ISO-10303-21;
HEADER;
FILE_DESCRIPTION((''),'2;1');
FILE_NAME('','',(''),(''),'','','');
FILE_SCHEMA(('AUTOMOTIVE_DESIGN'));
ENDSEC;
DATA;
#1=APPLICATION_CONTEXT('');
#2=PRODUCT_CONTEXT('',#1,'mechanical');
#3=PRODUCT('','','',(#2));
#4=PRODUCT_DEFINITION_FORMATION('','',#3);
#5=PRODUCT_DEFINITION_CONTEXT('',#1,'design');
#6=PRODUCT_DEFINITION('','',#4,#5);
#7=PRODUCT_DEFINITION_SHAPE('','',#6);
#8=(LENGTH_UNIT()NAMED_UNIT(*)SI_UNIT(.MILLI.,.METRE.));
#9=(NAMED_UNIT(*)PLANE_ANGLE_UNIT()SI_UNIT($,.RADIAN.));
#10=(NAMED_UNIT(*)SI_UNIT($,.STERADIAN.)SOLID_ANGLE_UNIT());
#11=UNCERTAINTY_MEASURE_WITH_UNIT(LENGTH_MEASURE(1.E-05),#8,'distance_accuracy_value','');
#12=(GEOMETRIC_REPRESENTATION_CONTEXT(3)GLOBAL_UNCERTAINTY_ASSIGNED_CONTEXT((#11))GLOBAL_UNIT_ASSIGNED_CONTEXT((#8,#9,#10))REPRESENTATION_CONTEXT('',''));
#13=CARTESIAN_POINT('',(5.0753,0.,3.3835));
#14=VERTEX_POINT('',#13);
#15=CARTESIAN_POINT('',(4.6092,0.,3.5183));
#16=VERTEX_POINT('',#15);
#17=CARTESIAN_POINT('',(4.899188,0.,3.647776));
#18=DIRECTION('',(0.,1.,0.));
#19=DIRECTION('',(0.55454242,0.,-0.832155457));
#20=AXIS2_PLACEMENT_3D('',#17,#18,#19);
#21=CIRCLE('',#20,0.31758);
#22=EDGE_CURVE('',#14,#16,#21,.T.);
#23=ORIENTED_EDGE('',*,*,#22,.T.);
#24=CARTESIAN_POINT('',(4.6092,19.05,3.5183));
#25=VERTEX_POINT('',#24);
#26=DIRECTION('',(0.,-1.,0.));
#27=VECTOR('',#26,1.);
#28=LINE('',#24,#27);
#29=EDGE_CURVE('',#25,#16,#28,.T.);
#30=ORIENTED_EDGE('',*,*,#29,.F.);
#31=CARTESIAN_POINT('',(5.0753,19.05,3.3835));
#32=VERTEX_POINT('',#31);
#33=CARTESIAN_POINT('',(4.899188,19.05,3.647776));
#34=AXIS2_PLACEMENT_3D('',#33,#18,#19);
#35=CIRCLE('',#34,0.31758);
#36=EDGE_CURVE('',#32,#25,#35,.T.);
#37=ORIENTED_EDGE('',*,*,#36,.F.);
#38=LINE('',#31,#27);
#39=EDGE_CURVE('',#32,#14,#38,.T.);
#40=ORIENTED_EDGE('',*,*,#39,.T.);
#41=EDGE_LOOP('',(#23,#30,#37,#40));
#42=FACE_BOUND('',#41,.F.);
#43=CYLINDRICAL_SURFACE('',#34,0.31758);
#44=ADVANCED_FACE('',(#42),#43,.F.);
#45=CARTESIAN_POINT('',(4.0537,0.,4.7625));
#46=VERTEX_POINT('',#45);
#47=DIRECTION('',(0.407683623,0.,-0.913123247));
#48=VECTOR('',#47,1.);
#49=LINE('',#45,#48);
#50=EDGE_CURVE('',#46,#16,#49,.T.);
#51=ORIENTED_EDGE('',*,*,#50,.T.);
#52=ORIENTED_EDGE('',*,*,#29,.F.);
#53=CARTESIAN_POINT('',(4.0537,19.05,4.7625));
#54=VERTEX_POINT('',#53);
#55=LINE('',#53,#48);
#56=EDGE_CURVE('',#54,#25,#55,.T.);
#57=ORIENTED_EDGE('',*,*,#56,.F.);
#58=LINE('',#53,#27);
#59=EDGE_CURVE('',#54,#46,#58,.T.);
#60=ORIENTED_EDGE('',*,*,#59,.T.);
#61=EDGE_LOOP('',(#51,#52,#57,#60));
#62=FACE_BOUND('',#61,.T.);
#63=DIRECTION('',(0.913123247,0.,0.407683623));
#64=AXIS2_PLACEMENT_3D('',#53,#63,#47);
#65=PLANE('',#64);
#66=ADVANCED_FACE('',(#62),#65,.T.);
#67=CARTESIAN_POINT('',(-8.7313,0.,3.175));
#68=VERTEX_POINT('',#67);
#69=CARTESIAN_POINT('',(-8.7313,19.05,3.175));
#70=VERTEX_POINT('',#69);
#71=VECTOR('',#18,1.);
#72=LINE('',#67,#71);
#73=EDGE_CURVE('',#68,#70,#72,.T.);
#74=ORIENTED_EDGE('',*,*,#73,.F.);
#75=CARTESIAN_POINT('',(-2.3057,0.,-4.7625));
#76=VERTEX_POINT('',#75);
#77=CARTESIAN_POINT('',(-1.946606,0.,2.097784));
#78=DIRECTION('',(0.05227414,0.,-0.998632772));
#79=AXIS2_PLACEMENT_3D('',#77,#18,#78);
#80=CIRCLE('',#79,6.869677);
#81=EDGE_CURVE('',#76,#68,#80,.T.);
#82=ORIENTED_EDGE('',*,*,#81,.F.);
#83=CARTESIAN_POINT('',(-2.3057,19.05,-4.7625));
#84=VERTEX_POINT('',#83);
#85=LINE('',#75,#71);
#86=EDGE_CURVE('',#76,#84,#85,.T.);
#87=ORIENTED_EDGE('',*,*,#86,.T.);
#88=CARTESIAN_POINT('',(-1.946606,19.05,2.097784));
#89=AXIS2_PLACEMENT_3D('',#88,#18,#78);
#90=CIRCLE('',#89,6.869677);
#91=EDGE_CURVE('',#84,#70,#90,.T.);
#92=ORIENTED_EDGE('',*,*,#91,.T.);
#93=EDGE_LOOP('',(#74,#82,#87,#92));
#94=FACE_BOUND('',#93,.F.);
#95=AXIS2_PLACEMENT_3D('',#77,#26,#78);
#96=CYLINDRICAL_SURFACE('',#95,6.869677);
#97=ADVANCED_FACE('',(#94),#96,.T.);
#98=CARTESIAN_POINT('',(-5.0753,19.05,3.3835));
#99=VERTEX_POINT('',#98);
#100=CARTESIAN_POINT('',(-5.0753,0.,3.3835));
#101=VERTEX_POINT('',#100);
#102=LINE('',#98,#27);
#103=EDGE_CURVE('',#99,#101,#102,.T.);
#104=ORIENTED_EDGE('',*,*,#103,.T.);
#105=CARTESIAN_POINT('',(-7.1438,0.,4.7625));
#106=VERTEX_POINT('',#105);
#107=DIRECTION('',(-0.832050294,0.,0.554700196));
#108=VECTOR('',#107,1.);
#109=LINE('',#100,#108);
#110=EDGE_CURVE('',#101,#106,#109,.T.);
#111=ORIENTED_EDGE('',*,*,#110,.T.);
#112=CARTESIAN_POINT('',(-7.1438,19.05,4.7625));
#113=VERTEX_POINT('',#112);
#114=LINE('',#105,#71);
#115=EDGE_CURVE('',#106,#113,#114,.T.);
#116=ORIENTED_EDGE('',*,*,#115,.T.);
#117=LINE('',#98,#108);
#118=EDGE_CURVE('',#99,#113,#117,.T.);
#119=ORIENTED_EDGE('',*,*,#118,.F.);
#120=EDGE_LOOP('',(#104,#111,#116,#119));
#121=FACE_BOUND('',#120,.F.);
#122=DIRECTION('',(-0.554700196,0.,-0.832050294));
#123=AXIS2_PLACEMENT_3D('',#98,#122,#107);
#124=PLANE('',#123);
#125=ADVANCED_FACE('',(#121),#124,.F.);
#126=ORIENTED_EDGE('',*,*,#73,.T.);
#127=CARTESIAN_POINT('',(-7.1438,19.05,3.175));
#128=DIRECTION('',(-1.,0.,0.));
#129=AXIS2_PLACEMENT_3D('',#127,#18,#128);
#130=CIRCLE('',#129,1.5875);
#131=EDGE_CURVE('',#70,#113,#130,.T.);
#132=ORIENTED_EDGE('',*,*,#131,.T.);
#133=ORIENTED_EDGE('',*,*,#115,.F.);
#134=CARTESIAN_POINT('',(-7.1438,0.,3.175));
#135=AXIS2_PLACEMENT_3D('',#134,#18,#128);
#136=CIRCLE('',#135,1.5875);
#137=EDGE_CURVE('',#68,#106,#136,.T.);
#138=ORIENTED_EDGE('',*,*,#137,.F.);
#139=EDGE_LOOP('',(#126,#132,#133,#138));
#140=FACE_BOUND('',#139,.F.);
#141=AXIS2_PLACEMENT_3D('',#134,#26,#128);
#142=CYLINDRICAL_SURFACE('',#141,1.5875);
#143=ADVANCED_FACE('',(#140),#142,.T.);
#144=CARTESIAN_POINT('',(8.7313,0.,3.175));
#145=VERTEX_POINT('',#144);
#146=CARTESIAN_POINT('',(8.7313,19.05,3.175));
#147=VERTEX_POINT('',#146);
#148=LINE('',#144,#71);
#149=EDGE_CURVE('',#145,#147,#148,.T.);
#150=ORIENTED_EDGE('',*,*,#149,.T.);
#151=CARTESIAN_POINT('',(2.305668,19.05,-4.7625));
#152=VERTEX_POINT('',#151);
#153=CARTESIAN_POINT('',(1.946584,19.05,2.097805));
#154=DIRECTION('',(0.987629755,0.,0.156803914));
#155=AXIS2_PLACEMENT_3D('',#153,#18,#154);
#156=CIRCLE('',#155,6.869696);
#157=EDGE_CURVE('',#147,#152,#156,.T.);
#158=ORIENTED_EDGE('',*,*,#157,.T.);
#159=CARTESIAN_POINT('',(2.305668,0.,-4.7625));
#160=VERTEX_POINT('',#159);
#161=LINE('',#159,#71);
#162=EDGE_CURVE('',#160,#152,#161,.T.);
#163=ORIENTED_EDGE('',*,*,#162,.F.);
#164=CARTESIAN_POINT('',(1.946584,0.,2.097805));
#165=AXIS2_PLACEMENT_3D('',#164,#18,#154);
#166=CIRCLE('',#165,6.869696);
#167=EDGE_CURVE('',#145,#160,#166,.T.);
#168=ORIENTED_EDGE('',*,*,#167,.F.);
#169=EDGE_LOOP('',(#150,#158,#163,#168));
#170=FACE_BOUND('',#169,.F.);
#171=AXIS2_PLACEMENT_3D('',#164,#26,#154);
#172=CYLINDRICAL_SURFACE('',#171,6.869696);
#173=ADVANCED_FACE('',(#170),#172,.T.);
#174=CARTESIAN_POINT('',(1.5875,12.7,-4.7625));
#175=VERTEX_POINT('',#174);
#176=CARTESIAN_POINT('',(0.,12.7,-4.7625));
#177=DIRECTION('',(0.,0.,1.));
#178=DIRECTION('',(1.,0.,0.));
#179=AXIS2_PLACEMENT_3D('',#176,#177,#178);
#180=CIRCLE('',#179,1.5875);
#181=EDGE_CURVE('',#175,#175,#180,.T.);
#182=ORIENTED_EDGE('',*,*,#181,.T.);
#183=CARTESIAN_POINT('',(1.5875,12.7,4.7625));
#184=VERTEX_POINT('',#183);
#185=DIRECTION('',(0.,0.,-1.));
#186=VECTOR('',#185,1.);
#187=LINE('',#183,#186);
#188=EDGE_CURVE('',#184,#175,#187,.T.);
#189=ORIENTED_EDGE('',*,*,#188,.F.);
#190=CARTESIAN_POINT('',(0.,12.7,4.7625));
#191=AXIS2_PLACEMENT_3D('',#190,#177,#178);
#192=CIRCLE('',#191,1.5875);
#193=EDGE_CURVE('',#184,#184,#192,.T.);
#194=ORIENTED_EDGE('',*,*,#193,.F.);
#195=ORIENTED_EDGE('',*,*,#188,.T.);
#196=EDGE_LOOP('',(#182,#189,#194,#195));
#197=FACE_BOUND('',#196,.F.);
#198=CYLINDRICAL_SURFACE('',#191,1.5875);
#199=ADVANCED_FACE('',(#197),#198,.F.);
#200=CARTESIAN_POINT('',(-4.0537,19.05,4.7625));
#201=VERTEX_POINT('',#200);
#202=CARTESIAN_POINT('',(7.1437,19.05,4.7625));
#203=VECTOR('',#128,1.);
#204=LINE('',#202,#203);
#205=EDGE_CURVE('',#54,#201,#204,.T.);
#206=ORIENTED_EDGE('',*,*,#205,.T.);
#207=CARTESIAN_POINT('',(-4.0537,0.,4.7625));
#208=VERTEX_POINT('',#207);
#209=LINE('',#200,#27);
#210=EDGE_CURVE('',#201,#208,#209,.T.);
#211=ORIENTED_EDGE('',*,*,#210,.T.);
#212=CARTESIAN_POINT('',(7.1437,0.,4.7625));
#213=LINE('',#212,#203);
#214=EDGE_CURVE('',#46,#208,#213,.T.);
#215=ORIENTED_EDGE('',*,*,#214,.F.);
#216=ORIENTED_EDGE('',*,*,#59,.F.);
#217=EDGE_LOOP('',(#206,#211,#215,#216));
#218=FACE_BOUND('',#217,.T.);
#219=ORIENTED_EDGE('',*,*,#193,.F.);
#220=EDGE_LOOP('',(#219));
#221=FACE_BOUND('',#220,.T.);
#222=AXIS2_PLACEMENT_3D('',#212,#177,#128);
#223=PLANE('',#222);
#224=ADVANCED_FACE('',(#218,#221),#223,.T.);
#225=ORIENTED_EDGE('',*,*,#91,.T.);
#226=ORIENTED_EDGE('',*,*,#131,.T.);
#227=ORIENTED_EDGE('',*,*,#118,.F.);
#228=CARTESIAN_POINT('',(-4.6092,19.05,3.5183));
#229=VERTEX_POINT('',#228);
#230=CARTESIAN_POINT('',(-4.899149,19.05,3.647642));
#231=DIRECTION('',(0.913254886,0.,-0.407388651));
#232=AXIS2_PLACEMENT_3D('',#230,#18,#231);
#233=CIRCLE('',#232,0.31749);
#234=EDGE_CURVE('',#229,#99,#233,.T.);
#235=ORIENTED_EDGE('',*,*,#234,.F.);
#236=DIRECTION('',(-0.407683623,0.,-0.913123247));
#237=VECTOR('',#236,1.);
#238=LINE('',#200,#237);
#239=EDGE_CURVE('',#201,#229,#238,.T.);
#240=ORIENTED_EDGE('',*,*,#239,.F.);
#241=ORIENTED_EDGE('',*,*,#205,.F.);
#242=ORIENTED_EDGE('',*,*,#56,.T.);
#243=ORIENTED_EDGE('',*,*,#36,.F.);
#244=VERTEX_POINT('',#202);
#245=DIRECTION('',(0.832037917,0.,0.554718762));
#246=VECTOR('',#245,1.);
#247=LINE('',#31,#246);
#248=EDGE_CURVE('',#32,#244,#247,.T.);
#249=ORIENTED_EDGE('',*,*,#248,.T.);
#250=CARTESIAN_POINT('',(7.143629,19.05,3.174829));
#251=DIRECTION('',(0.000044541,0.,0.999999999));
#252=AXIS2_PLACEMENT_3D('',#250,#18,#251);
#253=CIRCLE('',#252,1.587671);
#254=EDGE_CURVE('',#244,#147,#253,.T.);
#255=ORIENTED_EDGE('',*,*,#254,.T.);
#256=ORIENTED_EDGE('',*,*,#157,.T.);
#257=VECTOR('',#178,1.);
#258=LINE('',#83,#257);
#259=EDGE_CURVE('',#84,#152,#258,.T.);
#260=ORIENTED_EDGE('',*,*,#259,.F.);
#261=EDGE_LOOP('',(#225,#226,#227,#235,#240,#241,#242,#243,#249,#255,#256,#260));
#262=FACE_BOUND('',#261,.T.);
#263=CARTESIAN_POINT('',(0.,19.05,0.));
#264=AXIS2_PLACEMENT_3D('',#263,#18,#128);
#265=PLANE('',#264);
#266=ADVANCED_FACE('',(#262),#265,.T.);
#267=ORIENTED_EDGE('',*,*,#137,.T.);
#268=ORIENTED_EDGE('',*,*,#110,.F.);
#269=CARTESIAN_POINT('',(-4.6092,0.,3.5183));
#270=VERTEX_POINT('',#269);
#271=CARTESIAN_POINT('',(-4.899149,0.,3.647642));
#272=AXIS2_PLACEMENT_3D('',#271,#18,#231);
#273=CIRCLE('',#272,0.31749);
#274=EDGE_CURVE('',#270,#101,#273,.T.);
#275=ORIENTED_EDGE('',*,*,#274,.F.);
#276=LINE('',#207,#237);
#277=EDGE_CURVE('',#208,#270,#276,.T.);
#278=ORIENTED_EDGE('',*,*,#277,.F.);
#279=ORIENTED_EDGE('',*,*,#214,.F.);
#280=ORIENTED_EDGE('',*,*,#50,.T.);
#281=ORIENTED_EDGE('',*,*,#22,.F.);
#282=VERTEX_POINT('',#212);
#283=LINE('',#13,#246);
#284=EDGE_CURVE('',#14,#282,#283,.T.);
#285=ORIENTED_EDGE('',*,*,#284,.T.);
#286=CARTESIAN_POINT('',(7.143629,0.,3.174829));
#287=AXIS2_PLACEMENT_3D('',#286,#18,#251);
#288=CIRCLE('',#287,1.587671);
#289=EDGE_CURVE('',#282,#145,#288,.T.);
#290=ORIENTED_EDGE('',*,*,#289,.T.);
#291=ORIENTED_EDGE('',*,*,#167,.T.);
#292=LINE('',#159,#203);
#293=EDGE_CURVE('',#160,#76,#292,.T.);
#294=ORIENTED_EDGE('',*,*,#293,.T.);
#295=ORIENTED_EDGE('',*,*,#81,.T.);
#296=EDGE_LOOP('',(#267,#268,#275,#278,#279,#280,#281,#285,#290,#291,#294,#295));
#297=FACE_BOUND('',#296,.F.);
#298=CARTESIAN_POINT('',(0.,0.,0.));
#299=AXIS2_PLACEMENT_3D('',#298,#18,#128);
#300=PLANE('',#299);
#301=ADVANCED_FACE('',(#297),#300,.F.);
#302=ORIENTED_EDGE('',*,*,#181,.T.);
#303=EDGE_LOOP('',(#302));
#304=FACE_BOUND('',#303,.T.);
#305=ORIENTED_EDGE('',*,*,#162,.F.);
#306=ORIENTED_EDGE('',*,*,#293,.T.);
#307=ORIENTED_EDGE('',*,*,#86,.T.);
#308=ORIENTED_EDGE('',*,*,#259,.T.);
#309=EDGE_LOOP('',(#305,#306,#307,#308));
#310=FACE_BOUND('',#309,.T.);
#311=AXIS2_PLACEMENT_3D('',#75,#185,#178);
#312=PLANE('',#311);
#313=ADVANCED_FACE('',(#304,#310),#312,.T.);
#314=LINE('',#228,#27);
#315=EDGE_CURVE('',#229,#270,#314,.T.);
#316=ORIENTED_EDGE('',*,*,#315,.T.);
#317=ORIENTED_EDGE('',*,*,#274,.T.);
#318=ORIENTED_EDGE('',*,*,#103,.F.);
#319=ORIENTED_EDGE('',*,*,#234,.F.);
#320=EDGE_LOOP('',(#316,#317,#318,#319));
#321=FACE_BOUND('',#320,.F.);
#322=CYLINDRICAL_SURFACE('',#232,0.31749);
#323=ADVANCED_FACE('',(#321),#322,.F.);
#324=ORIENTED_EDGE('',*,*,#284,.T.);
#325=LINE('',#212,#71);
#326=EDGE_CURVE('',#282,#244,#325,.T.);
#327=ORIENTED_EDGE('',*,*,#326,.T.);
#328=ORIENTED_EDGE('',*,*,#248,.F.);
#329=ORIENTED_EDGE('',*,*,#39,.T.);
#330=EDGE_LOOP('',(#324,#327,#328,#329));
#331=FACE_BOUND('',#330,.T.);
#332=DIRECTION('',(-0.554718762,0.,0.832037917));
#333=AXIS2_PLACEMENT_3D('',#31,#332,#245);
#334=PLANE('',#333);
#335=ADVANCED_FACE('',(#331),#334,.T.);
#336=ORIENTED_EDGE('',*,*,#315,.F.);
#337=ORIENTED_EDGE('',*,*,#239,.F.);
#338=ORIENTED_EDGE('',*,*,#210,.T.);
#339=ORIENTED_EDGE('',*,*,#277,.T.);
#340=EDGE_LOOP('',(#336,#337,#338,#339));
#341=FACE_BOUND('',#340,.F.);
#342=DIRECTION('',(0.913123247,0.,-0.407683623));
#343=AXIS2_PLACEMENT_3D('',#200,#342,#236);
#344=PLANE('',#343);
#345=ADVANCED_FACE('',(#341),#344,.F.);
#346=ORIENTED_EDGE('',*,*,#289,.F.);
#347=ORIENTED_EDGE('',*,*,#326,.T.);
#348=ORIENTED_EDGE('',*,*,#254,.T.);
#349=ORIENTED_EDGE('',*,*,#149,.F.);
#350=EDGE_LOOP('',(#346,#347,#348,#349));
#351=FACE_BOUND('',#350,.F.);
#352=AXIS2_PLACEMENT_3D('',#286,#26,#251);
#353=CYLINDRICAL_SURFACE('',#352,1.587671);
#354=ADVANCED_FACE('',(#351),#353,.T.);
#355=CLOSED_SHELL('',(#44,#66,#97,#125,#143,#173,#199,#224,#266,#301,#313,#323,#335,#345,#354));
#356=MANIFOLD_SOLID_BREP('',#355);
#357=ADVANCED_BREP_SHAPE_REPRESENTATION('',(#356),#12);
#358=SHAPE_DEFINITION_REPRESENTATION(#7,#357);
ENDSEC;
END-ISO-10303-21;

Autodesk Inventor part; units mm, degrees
ref_plane "YZ Plane" through (0, 0, 0) normal (1, 0, 0) x (0, 1, 0)
ref_plane "XZ Plane" through (0, 0, 0) normal (0, 1, 0) x (-1, 0, 0)
ref_plane "XY Plane" through (0, 0, 0) normal (0, 0, 1) x (1, 0, 0)
sketch "Sketch1" plane through (0, 0, 0) normal (0, 1, 0) x (-1, 0, 0)
  line L0 (2.3057, -4.7625) -> (-8.7313, -4.7625)
  line L1 (-7.1437, 4.7625) -> (7.1438, 4.7625)
  line L2 (8.7313, -4.7625) -> (-8.7313, 4.7625) construction
  line L3 (-8.7313, -4.7625) -> (8.7313, 4.7625) construction
  arc A0 (8.7313, 3.175) -> (7.1438, 4.7625) centre (7.1438, 3.175) ccw
  arc A1 (-7.1437, 4.7625) -> (-8.7313, 3.175) centre (-7.1437, 3.175) ccw
  line L4 (0, -4.7625) -> (-1.5875, -4.7625)
  line L5 (0, -4.7625) -> (1.5875, -4.7625)
  arc A2 (1.5875, -4.7625) -> (8.7313, 3.175) centre (1.9466, 2.0978) ccw
  line L6 (0, -11.8883) -> (0, 12.0323) construction
  arc A3 (-8.7313, 3.175) -> (-1.5875, -4.7625) centre (-1.9466, 2.0978) ccw
  point P0 (0, 0)
  point P1 (-2.3057, -4.7625)
  dimension "d0" = 17.4625
  dimension "d1" = 9.525
  dimension "d2" = 1.5875
  dimension "d3" = 1.5875
  dimension "d4" = 1.5875
  dimension "d5" = 1.5875
extrude "Extrusion1" add sketch "Sketch1" along normal blind 19.05 contours L0 A3 A1 L1 A0 A2
sketch "Sketch2" plane through (0, 19.05, 0) normal (0, 1, 0) x (1, 0, 0)
  line L0 (-7.1438, -4.7625) -> (7.1437, -4.7625) projected
  line L1 (8.8162, 2.8402) -> (8.8162, -4.7625) construction
  arc A0 (8.7313, -3.175) -> (2.3057, 4.7625) centre (1.9466, -2.0978) ccw construction
  line L2 (4.0537, -4.7625) -> (4.6092, -3.5183)
  line L3 (5.0753, -3.3835) -> (7.1437, -4.7625)
  line L4 (4.0537, -4.7625) -> (7.1437, -4.7625)
  arc A1 (5.0753, -3.3835) -> (4.6092, -3.5183) centre (4.8992, -3.6477) ccw
  line L5 (4.0537, -4.7625) -> (7.1437, -4.7625)
  line L6 (4.0537, -4.7625) -> (7.1437, -4.7625)
  line L7 (2.3057, 4.7625) -> (-2.3057, 4.7625) construction
  line L8 (0, 4.7625) -> (0, -4.7625) construction
  line L9 (-4.0537, -4.7625) -> (-4.6092, -3.5183)
  line L10 (-5.0753, -3.3835) -> (-7.1438, -4.7625)
  line L11 (-4.0537, -4.7625) -> (-7.1438, -4.7625)
  arc A2 (-4.6092, -3.5183) -> (-5.0753, -3.3835) centre (-4.8992, -3.6477) ccw
  line L12 (-4.0537, -4.7625) -> (-7.1438, -4.7625)
  line L13 (-4.0537, -4.7625) -> (-7.1438, -4.7625)
  point P0 (0, 0)
  dimension "d8" = 4.7625
  dimension "d9" = 0.3175
extrude "Extrusion2" cut sketch "Sketch2" against normal blind 19.05
sketch "Sketch3" plane through (-4.0537, 0, 4.7625) normal (0, 0, 1) x (1, 0, 0)
  circle A0 centre (4.0537, 12.7) radius 1.5875
  line L0 (0, 0) -> (8.1075, 0) projected
  point P0 (4.0537, 0)
  dimension "d12" = 3.175
  dimension "d13" = 12.7
extrude "Extrusion3" cut sketch "Sketch3" against normal blind 19.05
properties part number "Curved Slider v1.0"
